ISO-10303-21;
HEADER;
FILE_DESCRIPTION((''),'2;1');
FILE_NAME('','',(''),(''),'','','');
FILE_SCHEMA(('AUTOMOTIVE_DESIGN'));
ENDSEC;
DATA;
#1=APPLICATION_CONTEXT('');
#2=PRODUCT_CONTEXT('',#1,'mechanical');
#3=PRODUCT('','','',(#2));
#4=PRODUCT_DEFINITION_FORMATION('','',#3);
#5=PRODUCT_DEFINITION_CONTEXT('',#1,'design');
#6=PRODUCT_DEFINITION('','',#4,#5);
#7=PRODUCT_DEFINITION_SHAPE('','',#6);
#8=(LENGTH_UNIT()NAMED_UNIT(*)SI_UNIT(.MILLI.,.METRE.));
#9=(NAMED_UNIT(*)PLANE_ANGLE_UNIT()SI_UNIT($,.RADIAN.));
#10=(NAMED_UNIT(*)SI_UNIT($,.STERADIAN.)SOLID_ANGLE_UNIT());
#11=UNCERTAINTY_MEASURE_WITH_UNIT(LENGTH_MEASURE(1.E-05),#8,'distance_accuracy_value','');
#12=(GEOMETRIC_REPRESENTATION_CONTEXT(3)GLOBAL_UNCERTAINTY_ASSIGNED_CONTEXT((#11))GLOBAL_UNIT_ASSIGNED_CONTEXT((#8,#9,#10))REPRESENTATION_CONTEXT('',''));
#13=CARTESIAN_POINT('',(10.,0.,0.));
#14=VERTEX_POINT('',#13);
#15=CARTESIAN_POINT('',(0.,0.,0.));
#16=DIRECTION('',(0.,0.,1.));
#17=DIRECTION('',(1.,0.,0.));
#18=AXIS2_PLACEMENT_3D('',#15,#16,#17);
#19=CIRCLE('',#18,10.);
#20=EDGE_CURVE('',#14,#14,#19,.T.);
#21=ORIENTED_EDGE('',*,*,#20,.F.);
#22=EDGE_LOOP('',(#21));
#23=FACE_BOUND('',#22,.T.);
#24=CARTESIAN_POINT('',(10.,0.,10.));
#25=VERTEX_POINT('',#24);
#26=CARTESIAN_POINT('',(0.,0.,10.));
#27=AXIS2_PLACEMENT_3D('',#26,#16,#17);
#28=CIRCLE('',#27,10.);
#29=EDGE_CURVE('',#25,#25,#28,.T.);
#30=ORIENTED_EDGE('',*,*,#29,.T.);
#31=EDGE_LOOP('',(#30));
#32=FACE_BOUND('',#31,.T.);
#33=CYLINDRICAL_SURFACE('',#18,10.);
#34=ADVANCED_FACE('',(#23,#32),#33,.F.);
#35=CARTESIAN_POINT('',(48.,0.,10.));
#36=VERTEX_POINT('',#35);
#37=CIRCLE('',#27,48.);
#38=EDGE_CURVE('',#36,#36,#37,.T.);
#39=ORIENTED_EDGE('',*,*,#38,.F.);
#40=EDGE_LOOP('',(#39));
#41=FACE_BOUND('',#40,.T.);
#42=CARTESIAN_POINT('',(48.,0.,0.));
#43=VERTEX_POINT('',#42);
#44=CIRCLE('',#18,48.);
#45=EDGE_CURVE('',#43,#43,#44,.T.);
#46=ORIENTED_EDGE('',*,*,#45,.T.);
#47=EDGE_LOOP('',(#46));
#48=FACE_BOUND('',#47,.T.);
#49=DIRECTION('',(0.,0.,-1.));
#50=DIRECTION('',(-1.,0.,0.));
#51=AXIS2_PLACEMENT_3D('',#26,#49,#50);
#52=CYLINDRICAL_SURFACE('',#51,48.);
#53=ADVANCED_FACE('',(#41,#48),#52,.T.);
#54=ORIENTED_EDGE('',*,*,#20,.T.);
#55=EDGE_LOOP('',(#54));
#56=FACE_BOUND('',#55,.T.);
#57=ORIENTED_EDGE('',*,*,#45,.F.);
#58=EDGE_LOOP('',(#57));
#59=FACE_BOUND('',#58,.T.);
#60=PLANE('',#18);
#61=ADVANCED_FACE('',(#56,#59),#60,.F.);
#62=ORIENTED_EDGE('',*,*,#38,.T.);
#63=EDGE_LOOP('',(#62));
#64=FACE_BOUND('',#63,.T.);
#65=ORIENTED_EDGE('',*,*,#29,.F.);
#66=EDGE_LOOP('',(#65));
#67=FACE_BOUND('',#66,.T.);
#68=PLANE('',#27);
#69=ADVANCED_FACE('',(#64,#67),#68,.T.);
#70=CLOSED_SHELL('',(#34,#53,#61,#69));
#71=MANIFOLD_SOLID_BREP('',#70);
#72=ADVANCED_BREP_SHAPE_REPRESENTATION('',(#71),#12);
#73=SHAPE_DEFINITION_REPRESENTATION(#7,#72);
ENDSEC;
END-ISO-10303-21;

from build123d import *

# Parameters (mm, degrees)
SKETCH_3_R          = 48
EXTRUDE_2_DEPTH     = 10
SKETCH_4_R          = 10
CUT_EXTRUDE_2_DEPTH = 10


with BuildPart() as part:
    # 草图3 → 凸台-拉伸2 (new body)
    with BuildSketch(Plane.XY):
        Circle(SKETCH_3_R)
    extrude(amount=EXTRUDE_2_DEPTH)

    # 草图4 → 切除-拉伸2 (cut)
    with BuildSketch(Plane.XY.offset(10)):
        Circle(SKETCH_4_R)
    extrude(amount=-CUT_EXTRUDE_2_DEPTH, mode=Mode.SUBTRACT)


solid = part.part
